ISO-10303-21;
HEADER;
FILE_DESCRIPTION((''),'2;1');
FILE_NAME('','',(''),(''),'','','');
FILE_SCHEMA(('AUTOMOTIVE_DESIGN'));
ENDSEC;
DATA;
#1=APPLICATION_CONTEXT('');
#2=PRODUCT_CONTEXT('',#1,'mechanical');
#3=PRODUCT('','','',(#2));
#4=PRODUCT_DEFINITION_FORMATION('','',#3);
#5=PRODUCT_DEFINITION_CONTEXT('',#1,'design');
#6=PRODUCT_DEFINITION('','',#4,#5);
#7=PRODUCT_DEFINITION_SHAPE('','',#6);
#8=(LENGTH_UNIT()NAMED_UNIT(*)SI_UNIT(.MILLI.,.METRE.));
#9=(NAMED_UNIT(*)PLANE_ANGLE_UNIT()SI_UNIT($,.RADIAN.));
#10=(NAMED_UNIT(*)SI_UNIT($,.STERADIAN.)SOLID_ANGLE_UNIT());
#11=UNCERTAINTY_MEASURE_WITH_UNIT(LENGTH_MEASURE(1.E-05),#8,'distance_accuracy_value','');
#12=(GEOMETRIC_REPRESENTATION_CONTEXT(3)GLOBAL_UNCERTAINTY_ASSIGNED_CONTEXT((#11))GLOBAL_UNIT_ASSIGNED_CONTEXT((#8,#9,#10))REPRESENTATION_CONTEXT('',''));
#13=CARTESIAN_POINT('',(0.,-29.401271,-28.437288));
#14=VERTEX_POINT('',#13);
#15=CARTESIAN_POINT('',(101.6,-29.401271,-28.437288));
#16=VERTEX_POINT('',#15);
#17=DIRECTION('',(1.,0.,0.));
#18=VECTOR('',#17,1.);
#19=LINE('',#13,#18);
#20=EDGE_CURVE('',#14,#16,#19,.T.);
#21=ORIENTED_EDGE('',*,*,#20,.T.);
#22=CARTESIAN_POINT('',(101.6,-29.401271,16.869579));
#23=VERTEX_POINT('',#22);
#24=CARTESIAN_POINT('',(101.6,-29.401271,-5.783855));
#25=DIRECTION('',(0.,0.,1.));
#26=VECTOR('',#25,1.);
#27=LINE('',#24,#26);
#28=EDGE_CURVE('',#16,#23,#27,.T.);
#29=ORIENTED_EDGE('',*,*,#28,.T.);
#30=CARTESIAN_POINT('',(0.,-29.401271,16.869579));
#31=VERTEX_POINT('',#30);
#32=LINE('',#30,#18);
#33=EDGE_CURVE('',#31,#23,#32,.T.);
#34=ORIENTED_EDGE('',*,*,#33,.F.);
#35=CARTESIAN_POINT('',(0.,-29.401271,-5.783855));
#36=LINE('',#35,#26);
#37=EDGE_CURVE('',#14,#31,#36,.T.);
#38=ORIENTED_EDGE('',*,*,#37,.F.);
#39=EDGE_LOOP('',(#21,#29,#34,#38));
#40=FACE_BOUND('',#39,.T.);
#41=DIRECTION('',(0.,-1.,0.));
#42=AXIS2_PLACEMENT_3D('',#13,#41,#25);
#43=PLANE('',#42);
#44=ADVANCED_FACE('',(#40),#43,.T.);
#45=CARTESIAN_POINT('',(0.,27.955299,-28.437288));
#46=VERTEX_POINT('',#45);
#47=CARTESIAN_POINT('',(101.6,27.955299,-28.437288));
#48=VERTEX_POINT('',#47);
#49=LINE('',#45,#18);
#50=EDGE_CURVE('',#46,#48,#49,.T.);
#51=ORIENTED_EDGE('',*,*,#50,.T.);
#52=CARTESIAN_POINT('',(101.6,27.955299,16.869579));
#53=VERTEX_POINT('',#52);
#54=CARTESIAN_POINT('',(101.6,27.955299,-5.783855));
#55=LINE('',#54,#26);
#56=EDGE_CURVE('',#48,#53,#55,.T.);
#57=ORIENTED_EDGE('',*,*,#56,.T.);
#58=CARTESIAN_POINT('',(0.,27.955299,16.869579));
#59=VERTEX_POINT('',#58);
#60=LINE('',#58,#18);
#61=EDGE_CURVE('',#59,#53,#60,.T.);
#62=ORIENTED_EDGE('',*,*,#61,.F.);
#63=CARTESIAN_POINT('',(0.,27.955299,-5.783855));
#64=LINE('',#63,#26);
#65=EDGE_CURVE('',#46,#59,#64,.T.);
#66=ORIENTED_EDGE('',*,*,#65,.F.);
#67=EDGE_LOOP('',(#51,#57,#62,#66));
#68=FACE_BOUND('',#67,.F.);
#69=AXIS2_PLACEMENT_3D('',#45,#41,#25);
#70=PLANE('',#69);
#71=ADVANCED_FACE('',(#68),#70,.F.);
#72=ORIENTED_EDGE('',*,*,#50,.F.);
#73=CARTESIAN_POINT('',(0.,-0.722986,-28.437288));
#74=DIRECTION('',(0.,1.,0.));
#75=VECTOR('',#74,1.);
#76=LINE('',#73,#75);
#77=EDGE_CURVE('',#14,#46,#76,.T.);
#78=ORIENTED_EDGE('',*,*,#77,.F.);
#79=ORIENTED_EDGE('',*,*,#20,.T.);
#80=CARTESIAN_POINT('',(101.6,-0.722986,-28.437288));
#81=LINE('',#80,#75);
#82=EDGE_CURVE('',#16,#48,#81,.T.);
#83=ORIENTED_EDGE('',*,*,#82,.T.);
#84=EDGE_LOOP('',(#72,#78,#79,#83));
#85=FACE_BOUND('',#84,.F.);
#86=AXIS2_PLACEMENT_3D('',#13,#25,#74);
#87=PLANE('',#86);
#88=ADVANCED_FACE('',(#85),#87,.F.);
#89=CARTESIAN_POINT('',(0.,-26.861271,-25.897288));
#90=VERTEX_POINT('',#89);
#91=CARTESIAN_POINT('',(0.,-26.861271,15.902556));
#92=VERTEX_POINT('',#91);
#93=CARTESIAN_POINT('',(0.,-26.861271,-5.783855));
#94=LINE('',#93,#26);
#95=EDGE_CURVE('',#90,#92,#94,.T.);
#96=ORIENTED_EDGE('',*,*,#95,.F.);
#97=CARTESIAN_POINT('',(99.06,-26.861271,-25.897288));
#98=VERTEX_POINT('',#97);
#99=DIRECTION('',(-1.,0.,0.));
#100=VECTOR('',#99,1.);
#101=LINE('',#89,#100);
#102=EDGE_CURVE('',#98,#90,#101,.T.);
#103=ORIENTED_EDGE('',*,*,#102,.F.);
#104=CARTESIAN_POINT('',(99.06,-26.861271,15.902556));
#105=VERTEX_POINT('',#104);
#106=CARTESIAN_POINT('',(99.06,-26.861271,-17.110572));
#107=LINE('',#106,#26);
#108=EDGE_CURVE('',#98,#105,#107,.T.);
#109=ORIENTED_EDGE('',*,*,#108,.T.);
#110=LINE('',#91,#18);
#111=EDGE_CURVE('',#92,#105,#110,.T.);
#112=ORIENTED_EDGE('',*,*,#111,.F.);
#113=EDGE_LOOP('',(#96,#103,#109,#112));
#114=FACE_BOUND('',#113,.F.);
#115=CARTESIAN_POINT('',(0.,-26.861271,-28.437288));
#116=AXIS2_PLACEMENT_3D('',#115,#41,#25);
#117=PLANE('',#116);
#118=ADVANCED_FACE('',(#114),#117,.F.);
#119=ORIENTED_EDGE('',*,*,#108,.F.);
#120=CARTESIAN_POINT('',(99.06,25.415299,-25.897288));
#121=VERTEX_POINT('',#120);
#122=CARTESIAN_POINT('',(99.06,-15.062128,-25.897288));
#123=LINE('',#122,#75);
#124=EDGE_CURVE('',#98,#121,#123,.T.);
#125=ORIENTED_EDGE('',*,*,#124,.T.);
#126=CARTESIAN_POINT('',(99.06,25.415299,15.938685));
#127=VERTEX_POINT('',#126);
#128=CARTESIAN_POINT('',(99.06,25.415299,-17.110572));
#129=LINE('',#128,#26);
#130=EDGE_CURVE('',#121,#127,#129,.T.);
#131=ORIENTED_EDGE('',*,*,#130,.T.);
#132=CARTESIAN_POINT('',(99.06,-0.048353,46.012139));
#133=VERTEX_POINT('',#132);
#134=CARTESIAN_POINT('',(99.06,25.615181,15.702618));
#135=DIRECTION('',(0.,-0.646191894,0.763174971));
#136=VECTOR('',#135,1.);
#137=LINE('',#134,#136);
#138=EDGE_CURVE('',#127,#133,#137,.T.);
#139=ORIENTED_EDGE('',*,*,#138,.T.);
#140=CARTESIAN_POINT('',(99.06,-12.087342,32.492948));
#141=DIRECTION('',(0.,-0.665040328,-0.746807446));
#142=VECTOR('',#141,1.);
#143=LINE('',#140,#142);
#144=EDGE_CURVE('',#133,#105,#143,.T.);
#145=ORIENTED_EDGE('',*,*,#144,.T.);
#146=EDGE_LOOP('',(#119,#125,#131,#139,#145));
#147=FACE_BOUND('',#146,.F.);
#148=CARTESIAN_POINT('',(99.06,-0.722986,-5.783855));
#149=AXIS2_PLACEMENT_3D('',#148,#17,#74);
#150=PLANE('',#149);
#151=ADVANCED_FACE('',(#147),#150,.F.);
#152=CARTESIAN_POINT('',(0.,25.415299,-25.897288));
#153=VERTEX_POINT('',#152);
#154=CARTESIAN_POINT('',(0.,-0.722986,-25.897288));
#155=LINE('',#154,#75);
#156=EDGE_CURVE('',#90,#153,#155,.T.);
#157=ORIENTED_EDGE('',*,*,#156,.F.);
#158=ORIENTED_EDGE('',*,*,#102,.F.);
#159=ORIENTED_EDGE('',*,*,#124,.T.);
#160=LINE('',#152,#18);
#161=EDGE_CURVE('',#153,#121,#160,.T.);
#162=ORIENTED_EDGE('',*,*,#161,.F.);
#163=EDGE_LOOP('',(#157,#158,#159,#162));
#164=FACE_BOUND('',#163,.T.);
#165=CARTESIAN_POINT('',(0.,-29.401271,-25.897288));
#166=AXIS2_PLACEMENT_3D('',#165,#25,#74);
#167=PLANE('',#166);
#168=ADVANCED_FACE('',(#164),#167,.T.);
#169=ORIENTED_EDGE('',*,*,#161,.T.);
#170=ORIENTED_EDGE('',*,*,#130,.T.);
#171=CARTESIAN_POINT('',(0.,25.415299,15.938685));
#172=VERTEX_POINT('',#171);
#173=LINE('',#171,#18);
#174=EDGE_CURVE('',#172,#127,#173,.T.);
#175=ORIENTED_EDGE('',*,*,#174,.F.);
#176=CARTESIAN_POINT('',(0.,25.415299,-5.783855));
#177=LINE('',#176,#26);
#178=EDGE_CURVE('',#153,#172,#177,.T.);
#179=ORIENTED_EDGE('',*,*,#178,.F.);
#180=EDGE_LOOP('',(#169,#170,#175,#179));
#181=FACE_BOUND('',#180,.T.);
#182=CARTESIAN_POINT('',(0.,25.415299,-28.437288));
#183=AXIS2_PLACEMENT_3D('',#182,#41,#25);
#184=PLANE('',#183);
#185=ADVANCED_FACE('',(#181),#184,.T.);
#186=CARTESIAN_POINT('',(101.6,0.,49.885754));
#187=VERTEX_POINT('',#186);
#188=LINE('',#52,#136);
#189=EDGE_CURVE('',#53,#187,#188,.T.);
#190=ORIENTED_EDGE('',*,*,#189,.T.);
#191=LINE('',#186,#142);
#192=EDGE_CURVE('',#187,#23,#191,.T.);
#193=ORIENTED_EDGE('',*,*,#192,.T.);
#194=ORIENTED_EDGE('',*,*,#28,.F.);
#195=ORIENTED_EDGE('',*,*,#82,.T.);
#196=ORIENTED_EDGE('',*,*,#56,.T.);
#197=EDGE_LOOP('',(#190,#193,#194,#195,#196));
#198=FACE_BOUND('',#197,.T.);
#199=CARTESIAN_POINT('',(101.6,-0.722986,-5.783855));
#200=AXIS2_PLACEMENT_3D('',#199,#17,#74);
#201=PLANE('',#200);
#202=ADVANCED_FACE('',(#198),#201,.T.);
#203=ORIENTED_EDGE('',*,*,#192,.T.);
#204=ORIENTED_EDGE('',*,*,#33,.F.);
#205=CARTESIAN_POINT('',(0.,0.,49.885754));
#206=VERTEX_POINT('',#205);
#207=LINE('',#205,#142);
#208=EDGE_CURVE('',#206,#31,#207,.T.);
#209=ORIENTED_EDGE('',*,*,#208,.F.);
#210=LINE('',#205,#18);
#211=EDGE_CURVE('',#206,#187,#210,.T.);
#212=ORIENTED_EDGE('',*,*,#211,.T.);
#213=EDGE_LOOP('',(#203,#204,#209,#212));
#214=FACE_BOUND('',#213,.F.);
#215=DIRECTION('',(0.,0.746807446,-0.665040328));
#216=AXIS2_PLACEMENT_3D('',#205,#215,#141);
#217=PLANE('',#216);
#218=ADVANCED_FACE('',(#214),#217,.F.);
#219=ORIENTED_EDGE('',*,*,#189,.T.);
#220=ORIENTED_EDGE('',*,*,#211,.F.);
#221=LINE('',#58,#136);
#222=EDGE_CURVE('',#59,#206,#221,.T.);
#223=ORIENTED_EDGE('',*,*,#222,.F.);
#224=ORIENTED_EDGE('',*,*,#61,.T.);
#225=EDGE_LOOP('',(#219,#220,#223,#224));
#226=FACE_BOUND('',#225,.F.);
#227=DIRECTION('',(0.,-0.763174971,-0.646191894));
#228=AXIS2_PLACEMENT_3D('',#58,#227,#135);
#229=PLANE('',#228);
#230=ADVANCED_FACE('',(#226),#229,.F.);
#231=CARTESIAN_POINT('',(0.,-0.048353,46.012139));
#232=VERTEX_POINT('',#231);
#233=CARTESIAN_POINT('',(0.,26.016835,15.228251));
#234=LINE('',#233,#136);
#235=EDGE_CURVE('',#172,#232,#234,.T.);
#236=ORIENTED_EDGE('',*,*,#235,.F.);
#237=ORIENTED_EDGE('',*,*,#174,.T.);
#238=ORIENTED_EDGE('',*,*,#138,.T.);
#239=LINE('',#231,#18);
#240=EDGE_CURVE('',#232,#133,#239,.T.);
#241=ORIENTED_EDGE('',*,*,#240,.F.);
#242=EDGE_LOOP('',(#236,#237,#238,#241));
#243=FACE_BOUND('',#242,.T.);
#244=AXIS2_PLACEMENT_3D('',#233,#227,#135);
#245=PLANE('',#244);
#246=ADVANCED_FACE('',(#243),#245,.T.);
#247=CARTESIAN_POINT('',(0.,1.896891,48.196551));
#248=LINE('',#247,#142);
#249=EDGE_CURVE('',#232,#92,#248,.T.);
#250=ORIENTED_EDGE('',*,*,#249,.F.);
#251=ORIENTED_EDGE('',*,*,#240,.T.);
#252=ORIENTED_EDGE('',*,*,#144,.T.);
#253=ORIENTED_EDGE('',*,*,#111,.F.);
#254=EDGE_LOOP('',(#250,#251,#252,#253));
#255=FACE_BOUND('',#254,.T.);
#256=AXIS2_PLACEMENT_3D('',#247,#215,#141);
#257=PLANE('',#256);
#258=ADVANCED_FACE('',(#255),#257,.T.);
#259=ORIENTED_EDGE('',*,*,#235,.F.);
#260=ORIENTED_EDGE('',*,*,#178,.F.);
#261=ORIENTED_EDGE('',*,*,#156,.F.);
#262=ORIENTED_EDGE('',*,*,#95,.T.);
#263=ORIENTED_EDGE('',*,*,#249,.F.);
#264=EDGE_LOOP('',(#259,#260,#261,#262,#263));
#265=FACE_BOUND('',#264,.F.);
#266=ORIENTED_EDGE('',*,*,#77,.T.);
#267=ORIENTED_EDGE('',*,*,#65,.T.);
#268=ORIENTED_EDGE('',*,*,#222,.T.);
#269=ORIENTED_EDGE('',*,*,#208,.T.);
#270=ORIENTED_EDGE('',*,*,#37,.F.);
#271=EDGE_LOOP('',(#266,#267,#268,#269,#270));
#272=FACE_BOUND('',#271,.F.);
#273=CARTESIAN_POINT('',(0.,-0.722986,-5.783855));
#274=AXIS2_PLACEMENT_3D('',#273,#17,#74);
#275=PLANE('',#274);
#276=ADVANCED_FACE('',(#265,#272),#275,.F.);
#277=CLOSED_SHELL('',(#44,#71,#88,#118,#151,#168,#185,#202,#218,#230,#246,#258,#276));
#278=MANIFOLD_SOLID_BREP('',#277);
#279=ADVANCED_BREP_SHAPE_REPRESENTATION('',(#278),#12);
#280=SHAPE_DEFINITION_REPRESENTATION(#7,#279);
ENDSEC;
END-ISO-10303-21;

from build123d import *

# Parameters (mm, degrees)
F0_W     = 57.356569916
F0_H     = 45.3068669885
F1_DEPTH = 101.6
F2_T     = -2.54


with BuildPart() as f1:
    # F0 (on Right) → F1 (new body)
    with BuildSketch(Plane.YZ):
        with Locations((-0.7229857147, -5.7838549837)):
            Rectangle(F0_W, F0_H)
        Polygon((0, 49.8857535422), (-29.4012706727, 16.8695785105), (27.9552992433, 16.8695785105), align=None)
    extrude(amount=F1_DEPTH)

    # F2
    f2_openings = [f1.faces().sort_by_distance(p)[0] for p in [
        (0, -0.658626, 3.204954),
    ]]
    offset(amount=F2_T, openings=f2_openings)


solid = f1.part
